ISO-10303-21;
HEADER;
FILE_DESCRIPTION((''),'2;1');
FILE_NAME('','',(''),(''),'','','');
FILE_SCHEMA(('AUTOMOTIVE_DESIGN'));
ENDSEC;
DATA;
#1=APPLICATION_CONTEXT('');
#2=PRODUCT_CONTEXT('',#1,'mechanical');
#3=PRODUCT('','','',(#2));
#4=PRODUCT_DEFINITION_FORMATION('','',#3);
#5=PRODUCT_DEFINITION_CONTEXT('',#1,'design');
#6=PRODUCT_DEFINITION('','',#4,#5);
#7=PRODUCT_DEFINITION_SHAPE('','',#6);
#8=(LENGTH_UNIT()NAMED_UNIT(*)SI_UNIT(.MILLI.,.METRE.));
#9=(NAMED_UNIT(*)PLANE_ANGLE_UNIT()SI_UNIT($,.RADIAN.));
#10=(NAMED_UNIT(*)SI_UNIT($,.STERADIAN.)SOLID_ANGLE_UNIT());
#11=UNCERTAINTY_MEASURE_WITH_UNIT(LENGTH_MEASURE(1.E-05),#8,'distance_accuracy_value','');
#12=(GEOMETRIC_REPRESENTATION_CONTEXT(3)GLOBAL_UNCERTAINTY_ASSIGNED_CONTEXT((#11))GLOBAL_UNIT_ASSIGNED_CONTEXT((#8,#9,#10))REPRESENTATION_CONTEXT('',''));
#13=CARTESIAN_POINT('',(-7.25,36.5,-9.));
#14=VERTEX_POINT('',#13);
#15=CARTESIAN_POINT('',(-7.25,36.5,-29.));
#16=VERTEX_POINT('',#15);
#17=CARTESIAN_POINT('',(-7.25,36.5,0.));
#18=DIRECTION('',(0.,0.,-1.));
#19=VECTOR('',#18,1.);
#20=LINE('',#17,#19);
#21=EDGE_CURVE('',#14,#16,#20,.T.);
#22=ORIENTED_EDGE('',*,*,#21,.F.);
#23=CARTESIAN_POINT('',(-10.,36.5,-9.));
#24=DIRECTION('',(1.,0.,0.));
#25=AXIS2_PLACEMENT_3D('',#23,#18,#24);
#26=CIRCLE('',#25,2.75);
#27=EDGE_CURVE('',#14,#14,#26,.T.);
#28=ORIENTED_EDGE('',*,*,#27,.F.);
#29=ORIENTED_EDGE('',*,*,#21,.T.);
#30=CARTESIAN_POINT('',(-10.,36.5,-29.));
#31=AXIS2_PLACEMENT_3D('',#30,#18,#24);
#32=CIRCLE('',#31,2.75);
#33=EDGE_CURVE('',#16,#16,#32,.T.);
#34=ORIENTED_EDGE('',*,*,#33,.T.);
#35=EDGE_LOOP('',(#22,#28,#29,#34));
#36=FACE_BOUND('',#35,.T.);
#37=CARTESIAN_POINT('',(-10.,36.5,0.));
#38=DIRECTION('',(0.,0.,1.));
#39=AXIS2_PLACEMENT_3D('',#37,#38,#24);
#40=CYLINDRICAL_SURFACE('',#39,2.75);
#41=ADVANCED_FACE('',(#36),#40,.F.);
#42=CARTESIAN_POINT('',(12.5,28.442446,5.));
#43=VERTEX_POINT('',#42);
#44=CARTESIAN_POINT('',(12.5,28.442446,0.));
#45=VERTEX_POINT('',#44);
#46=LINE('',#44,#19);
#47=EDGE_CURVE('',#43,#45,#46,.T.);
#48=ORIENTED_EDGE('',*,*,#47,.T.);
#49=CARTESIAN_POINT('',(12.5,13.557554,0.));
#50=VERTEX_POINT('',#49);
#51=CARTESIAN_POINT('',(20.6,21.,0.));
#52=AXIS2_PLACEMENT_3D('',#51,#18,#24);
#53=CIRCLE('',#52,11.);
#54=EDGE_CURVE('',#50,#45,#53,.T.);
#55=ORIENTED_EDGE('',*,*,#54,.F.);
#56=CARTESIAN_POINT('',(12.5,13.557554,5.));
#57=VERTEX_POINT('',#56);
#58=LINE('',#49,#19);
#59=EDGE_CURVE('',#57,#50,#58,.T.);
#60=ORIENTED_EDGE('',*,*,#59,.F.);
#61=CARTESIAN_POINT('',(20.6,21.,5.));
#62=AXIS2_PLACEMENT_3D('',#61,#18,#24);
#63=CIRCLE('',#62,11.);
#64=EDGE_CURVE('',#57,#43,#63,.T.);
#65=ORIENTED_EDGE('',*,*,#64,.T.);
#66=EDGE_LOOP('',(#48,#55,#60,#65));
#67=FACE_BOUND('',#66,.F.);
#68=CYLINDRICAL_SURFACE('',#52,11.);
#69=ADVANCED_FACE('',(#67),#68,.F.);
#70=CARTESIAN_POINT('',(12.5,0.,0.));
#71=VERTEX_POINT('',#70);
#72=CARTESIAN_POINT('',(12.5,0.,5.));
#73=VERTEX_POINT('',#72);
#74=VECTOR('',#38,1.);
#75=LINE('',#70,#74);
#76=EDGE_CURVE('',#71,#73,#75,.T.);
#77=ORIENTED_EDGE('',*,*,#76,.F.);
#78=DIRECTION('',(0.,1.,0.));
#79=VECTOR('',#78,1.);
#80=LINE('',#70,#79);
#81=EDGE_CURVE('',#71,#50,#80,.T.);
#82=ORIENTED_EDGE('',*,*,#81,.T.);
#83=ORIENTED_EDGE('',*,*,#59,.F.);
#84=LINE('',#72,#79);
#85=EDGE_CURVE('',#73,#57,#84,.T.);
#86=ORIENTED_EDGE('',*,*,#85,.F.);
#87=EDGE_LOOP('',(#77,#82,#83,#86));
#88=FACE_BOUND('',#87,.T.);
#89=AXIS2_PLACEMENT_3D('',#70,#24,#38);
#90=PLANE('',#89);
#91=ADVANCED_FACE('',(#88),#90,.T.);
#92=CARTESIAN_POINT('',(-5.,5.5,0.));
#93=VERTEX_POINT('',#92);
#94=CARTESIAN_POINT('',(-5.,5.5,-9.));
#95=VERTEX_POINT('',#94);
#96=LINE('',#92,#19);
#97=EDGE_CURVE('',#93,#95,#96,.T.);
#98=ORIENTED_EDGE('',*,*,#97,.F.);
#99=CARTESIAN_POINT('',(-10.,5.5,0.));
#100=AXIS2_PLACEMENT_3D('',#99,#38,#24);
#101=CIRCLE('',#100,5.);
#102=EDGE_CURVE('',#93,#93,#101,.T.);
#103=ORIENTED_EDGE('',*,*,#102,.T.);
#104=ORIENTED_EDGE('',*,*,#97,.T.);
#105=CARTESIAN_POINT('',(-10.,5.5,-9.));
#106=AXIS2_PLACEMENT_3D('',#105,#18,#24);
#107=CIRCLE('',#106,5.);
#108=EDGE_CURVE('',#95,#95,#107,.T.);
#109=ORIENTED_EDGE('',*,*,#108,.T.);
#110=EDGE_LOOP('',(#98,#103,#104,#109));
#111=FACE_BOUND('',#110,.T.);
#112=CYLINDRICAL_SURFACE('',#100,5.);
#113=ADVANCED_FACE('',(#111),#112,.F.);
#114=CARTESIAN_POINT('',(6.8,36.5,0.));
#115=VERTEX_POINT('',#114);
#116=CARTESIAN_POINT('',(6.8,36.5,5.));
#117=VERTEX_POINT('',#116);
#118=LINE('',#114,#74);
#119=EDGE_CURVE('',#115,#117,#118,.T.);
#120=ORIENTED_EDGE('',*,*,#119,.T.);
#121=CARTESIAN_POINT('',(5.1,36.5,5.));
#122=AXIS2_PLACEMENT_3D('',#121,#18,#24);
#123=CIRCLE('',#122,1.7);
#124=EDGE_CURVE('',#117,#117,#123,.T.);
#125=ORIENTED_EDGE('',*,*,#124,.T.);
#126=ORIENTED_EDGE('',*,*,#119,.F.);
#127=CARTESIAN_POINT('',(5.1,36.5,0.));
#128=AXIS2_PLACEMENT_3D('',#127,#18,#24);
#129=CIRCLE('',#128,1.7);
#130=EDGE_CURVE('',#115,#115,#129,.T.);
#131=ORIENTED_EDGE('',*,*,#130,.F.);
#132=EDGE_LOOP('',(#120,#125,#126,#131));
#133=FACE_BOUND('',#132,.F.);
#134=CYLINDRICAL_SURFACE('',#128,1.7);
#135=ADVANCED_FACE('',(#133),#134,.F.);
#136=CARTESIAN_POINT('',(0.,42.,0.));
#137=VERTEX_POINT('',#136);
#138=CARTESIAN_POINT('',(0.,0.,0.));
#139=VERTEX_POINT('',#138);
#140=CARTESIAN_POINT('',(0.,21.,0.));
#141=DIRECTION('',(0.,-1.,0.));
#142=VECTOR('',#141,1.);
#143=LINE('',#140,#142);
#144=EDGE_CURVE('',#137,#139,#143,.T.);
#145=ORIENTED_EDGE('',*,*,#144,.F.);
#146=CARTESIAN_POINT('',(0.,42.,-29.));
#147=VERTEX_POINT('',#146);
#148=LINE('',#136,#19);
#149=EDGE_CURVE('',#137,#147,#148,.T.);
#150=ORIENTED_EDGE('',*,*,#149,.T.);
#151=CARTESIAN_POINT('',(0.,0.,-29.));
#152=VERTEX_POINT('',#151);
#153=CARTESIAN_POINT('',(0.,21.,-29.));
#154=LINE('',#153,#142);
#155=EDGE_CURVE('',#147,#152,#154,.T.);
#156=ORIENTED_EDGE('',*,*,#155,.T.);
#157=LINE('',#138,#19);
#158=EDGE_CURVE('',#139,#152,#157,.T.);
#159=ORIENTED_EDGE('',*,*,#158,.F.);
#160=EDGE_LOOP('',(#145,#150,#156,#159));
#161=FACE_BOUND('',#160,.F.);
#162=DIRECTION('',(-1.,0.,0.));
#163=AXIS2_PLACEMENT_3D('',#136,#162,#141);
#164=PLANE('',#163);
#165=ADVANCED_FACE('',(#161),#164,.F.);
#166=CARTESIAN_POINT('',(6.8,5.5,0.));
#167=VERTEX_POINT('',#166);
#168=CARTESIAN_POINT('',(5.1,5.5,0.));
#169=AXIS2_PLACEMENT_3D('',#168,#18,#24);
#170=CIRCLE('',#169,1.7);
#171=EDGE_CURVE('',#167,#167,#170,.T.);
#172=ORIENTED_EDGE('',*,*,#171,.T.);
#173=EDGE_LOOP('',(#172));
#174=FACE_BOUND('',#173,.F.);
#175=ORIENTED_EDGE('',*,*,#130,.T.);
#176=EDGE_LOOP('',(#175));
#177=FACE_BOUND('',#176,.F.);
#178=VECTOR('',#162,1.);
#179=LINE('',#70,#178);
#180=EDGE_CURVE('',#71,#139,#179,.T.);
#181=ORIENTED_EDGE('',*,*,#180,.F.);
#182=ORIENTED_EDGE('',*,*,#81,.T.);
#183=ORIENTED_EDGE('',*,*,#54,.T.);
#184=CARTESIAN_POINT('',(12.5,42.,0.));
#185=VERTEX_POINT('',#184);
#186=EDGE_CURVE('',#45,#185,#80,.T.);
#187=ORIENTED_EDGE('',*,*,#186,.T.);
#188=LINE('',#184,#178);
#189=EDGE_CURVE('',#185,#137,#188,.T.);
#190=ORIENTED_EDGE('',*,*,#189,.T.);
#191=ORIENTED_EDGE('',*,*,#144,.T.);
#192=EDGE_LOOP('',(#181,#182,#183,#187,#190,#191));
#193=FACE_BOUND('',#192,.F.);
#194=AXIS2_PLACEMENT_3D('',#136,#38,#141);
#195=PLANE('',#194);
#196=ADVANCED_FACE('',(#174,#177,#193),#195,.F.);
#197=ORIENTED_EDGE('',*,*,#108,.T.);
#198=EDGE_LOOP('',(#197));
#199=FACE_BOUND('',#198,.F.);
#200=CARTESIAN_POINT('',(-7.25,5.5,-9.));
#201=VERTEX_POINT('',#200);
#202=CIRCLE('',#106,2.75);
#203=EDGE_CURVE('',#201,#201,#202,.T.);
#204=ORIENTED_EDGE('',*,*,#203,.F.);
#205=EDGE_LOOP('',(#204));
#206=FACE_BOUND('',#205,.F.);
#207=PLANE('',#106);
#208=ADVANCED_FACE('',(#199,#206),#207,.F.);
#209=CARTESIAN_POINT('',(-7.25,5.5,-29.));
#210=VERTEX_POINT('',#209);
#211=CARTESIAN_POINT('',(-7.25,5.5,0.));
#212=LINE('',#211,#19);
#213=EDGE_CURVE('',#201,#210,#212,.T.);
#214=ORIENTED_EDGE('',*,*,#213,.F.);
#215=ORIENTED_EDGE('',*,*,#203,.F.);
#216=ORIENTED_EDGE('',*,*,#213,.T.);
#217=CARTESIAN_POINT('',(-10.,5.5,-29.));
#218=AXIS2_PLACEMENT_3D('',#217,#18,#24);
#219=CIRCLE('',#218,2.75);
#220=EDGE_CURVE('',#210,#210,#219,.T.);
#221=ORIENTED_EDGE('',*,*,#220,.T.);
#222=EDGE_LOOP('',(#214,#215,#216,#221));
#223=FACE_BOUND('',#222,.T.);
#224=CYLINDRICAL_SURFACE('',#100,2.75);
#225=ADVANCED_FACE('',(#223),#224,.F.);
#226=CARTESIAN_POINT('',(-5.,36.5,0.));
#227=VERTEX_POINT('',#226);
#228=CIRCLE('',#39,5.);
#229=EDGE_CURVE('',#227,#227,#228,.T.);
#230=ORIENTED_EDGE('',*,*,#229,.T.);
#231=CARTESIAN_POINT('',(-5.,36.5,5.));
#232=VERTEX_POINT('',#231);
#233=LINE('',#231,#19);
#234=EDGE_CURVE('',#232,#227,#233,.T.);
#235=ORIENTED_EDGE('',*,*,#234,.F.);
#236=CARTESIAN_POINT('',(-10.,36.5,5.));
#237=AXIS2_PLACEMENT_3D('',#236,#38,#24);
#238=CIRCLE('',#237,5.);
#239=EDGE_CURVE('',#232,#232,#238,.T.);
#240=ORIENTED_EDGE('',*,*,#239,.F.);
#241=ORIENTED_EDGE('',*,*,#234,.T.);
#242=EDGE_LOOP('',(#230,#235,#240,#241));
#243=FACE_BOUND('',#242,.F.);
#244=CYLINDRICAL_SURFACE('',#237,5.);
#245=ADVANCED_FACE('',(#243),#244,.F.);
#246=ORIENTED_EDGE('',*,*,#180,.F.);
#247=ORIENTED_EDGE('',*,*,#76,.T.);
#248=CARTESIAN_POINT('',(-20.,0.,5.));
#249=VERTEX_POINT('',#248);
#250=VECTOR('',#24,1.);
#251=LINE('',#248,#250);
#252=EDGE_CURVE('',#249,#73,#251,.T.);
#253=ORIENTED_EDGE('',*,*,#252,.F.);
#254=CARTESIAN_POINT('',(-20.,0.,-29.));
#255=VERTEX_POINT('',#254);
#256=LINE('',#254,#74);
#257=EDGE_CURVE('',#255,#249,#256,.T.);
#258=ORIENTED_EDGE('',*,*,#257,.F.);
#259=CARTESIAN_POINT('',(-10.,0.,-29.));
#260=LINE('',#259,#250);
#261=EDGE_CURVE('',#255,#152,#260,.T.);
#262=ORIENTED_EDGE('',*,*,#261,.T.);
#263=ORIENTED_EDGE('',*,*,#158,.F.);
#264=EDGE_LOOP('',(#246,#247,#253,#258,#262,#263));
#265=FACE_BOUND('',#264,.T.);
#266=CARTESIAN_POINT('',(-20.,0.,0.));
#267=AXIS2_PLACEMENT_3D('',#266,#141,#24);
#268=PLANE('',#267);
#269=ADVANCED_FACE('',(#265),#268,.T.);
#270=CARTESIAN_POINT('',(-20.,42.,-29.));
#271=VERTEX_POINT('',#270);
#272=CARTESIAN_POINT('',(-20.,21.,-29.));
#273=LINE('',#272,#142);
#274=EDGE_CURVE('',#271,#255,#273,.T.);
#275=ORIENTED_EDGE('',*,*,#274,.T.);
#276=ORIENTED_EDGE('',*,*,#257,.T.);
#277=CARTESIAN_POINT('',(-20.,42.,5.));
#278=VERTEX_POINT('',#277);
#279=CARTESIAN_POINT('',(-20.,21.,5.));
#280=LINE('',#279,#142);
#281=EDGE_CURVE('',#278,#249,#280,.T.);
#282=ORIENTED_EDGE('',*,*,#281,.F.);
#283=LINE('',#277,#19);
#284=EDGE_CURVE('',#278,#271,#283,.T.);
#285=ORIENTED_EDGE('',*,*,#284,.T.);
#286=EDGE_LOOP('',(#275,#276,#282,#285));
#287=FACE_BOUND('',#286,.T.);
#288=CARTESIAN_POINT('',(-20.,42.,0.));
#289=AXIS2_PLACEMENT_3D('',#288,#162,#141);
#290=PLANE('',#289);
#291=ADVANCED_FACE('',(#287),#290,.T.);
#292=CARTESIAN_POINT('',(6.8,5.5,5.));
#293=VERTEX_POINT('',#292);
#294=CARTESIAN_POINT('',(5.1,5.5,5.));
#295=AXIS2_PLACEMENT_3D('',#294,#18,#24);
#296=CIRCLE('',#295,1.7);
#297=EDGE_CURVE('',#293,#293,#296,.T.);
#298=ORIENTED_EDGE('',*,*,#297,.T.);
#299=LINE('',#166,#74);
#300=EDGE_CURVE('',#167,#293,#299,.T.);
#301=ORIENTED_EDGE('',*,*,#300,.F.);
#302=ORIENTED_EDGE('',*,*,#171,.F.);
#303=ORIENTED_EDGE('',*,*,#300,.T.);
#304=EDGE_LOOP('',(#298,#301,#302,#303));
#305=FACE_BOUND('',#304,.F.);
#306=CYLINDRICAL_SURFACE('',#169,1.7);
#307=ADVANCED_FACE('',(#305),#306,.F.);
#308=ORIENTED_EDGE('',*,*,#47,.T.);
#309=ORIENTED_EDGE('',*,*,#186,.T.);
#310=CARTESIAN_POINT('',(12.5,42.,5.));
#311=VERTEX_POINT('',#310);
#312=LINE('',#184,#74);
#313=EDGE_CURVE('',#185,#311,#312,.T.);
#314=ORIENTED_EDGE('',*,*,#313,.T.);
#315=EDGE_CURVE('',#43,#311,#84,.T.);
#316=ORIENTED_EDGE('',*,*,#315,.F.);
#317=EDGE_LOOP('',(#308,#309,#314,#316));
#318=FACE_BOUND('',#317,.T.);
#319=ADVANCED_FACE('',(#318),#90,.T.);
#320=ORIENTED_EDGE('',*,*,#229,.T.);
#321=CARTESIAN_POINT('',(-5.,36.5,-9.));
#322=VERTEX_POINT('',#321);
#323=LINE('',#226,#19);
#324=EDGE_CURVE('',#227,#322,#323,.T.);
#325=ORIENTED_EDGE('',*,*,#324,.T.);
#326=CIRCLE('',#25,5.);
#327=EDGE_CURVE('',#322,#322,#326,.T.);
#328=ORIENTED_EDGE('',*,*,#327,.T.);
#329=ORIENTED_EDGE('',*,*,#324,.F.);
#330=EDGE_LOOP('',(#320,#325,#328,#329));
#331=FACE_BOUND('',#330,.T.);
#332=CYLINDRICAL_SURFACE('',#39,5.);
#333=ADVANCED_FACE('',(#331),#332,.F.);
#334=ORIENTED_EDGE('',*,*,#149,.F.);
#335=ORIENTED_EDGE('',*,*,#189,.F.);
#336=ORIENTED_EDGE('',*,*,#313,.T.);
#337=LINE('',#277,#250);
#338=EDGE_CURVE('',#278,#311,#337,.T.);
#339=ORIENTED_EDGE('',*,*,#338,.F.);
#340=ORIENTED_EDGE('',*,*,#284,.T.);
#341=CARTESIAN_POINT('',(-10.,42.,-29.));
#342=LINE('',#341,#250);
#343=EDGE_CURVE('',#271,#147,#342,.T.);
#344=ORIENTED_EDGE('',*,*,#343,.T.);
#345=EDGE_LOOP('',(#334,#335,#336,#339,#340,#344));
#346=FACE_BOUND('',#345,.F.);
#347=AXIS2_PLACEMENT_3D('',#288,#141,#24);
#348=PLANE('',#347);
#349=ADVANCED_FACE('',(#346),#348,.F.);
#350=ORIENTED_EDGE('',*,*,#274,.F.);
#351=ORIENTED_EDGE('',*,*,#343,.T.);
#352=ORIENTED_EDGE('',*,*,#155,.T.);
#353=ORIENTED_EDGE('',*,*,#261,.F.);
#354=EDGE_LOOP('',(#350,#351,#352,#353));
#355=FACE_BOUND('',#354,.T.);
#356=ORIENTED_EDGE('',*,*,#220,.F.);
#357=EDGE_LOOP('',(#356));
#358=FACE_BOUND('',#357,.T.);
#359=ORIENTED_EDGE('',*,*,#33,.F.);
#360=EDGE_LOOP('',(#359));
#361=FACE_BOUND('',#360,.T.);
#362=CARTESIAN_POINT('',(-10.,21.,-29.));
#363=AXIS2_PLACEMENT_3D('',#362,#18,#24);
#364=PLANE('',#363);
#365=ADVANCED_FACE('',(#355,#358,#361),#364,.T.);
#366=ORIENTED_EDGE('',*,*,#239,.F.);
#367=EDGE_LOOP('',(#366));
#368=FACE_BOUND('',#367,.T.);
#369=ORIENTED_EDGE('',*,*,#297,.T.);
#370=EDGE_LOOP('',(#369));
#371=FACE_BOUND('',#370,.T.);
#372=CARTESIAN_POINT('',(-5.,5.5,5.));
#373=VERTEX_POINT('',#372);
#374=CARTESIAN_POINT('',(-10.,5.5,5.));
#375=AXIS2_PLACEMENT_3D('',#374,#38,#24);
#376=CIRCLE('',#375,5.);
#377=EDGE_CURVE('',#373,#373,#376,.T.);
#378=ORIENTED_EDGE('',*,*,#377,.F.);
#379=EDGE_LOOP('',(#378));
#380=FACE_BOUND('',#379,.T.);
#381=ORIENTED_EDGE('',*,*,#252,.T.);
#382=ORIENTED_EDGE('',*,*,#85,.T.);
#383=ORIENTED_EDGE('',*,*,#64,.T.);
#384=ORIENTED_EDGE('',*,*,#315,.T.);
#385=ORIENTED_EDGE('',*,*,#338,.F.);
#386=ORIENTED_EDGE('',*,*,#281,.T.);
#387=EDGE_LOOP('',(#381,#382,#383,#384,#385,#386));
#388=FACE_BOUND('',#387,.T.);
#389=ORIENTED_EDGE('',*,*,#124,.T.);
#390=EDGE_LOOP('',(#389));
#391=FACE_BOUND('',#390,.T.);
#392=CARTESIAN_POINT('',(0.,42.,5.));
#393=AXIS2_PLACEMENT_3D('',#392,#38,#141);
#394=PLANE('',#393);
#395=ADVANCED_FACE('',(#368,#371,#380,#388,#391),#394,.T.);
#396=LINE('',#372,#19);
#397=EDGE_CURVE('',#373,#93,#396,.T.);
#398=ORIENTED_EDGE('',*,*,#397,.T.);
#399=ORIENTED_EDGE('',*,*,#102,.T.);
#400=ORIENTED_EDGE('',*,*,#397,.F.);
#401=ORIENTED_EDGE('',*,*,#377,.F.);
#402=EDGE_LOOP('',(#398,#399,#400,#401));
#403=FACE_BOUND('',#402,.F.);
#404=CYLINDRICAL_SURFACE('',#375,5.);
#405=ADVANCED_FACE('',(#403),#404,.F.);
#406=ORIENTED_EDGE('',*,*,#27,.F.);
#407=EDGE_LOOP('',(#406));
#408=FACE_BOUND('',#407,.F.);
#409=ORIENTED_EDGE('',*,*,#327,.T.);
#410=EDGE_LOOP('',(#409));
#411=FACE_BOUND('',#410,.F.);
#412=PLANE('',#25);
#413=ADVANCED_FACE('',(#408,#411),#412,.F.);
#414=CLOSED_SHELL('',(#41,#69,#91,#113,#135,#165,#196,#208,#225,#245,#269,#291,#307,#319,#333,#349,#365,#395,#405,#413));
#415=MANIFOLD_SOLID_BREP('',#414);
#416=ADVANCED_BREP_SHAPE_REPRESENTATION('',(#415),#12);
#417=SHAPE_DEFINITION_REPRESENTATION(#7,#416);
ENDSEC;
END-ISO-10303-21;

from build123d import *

# Parameters (mm, degrees)
F1_DEPTH  = 42
F2_R      = 1.7
F2_R_2    = 11
F3_DEPTH  = 5.001
F4_W      = 42
F4_H      = 5
F5_DEPTH  = 20
F6_R      = 5
F6_R_2    = 2.75
F7_DEPTH  = 19
F8_W      = 20
F8_H      = 42
F8_R      = 5
F8_R_2    = 2.75
F9_DEPTH  = 29
F10_DEPTH = 9


with BuildPart() as f1:
    # F0 (on Front) → F1 (new body)
    with BuildSketch(Plane.XZ):
        Polygon((12.5, 5), (8.5, 5), (0, 5), (0, 0), (12.5, 0), align=None)
    extrude(amount=-F1_DEPTH)

    # F2 (on face) → F3 (cut, through all)
    with BuildSketch(Plane(origin=(0, 0, 0), x_dir=(1, 0, 0), z_dir=(0, 0, -1))):
        with Locations((5.1, -5.5)):
            Circle(F2_R)
        with Locations((5.1, -36.5)):
            Circle(F2_R)
        with Locations((20.6, -21)):
            Circle(F2_R_2)
    extrude(amount=-F3_DEPTH, mode=Mode.SUBTRACT)

    # F4 (on face) → F5 (join)
    with BuildSketch(Plane(origin=(0, 0, 0), x_dir=(0, -1, 0), z_dir=(-1, 0, 0))):
        with Locations((-21, 2.5)):
            Rectangle(F4_W, F4_H)
    extrude(amount=F5_DEPTH)

    # F6 (on face) → F7 (cut)
    with BuildSketch(Plane.XY.offset(5)):
        with Locations((-10, 36.5)):
            Circle(F6_R)
        with Locations((-10, 36.5)):
            Circle(F6_R_2, mode=Mode.SUBTRACT)
        with Locations((-10, 5.5)):
            Circle(F6_R)
        with Locations((-10, 5.5)):
            Circle(F6_R_2, mode=Mode.SUBTRACT)
        with Locations((-10, 5.5)):
            Circle(F6_R_2)
        with Locations((-10, 36.5)):
            Circle(F6_R_2)
    extrude(amount=-F7_DEPTH, mode=Mode.SUBTRACT)

    # F8 (on face) → F9 (join)
    with BuildSketch(Plane(origin=(0, 0, 0), x_dir=(1, 0, 0), z_dir=(0, 0, -1))):
        with Locations((-10, -21)):
            Rectangle(F8_W, F8_H)
        with Locations((-10, -36.5)):
            Circle(F8_R, mode=Mode.SUBTRACT)
        with Locations((-10, -5.5)):
            Circle(F8_R_2, mode=Mode.SUBTRACT)
        with Locations((-10, -36.5)):
            Circle(F8_R_2)
        with Locations((-10, -36.5)):
            Circle(F8_R)
        with Locations((-10, -36.5)):
            Circle(F8_R_2, mode=Mode.SUBTRACT)
    extrude(amount=F9_DEPTH)

    # F8 (on face) → F10 (cut)
    with BuildSketch(Plane(origin=(0, 0, 0), x_dir=(1, 0, 0), z_dir=(0, 0, -1))):
        with Locations((-10, -36.5)):
            Circle(F8_R)
        with Locations((-10, -36.5)):
            Circle(F8_R_2, mode=Mode.SUBTRACT)
        with Locations((-10, -5.5)):
            Circle(F8_R)
        with Locations((-10, -5.5)):
            Circle(F8_R_2, mode=Mode.SUBTRACT)
    extrude(amount=F10_DEPTH, mode=Mode.SUBTRACT)


solid = f1.part
